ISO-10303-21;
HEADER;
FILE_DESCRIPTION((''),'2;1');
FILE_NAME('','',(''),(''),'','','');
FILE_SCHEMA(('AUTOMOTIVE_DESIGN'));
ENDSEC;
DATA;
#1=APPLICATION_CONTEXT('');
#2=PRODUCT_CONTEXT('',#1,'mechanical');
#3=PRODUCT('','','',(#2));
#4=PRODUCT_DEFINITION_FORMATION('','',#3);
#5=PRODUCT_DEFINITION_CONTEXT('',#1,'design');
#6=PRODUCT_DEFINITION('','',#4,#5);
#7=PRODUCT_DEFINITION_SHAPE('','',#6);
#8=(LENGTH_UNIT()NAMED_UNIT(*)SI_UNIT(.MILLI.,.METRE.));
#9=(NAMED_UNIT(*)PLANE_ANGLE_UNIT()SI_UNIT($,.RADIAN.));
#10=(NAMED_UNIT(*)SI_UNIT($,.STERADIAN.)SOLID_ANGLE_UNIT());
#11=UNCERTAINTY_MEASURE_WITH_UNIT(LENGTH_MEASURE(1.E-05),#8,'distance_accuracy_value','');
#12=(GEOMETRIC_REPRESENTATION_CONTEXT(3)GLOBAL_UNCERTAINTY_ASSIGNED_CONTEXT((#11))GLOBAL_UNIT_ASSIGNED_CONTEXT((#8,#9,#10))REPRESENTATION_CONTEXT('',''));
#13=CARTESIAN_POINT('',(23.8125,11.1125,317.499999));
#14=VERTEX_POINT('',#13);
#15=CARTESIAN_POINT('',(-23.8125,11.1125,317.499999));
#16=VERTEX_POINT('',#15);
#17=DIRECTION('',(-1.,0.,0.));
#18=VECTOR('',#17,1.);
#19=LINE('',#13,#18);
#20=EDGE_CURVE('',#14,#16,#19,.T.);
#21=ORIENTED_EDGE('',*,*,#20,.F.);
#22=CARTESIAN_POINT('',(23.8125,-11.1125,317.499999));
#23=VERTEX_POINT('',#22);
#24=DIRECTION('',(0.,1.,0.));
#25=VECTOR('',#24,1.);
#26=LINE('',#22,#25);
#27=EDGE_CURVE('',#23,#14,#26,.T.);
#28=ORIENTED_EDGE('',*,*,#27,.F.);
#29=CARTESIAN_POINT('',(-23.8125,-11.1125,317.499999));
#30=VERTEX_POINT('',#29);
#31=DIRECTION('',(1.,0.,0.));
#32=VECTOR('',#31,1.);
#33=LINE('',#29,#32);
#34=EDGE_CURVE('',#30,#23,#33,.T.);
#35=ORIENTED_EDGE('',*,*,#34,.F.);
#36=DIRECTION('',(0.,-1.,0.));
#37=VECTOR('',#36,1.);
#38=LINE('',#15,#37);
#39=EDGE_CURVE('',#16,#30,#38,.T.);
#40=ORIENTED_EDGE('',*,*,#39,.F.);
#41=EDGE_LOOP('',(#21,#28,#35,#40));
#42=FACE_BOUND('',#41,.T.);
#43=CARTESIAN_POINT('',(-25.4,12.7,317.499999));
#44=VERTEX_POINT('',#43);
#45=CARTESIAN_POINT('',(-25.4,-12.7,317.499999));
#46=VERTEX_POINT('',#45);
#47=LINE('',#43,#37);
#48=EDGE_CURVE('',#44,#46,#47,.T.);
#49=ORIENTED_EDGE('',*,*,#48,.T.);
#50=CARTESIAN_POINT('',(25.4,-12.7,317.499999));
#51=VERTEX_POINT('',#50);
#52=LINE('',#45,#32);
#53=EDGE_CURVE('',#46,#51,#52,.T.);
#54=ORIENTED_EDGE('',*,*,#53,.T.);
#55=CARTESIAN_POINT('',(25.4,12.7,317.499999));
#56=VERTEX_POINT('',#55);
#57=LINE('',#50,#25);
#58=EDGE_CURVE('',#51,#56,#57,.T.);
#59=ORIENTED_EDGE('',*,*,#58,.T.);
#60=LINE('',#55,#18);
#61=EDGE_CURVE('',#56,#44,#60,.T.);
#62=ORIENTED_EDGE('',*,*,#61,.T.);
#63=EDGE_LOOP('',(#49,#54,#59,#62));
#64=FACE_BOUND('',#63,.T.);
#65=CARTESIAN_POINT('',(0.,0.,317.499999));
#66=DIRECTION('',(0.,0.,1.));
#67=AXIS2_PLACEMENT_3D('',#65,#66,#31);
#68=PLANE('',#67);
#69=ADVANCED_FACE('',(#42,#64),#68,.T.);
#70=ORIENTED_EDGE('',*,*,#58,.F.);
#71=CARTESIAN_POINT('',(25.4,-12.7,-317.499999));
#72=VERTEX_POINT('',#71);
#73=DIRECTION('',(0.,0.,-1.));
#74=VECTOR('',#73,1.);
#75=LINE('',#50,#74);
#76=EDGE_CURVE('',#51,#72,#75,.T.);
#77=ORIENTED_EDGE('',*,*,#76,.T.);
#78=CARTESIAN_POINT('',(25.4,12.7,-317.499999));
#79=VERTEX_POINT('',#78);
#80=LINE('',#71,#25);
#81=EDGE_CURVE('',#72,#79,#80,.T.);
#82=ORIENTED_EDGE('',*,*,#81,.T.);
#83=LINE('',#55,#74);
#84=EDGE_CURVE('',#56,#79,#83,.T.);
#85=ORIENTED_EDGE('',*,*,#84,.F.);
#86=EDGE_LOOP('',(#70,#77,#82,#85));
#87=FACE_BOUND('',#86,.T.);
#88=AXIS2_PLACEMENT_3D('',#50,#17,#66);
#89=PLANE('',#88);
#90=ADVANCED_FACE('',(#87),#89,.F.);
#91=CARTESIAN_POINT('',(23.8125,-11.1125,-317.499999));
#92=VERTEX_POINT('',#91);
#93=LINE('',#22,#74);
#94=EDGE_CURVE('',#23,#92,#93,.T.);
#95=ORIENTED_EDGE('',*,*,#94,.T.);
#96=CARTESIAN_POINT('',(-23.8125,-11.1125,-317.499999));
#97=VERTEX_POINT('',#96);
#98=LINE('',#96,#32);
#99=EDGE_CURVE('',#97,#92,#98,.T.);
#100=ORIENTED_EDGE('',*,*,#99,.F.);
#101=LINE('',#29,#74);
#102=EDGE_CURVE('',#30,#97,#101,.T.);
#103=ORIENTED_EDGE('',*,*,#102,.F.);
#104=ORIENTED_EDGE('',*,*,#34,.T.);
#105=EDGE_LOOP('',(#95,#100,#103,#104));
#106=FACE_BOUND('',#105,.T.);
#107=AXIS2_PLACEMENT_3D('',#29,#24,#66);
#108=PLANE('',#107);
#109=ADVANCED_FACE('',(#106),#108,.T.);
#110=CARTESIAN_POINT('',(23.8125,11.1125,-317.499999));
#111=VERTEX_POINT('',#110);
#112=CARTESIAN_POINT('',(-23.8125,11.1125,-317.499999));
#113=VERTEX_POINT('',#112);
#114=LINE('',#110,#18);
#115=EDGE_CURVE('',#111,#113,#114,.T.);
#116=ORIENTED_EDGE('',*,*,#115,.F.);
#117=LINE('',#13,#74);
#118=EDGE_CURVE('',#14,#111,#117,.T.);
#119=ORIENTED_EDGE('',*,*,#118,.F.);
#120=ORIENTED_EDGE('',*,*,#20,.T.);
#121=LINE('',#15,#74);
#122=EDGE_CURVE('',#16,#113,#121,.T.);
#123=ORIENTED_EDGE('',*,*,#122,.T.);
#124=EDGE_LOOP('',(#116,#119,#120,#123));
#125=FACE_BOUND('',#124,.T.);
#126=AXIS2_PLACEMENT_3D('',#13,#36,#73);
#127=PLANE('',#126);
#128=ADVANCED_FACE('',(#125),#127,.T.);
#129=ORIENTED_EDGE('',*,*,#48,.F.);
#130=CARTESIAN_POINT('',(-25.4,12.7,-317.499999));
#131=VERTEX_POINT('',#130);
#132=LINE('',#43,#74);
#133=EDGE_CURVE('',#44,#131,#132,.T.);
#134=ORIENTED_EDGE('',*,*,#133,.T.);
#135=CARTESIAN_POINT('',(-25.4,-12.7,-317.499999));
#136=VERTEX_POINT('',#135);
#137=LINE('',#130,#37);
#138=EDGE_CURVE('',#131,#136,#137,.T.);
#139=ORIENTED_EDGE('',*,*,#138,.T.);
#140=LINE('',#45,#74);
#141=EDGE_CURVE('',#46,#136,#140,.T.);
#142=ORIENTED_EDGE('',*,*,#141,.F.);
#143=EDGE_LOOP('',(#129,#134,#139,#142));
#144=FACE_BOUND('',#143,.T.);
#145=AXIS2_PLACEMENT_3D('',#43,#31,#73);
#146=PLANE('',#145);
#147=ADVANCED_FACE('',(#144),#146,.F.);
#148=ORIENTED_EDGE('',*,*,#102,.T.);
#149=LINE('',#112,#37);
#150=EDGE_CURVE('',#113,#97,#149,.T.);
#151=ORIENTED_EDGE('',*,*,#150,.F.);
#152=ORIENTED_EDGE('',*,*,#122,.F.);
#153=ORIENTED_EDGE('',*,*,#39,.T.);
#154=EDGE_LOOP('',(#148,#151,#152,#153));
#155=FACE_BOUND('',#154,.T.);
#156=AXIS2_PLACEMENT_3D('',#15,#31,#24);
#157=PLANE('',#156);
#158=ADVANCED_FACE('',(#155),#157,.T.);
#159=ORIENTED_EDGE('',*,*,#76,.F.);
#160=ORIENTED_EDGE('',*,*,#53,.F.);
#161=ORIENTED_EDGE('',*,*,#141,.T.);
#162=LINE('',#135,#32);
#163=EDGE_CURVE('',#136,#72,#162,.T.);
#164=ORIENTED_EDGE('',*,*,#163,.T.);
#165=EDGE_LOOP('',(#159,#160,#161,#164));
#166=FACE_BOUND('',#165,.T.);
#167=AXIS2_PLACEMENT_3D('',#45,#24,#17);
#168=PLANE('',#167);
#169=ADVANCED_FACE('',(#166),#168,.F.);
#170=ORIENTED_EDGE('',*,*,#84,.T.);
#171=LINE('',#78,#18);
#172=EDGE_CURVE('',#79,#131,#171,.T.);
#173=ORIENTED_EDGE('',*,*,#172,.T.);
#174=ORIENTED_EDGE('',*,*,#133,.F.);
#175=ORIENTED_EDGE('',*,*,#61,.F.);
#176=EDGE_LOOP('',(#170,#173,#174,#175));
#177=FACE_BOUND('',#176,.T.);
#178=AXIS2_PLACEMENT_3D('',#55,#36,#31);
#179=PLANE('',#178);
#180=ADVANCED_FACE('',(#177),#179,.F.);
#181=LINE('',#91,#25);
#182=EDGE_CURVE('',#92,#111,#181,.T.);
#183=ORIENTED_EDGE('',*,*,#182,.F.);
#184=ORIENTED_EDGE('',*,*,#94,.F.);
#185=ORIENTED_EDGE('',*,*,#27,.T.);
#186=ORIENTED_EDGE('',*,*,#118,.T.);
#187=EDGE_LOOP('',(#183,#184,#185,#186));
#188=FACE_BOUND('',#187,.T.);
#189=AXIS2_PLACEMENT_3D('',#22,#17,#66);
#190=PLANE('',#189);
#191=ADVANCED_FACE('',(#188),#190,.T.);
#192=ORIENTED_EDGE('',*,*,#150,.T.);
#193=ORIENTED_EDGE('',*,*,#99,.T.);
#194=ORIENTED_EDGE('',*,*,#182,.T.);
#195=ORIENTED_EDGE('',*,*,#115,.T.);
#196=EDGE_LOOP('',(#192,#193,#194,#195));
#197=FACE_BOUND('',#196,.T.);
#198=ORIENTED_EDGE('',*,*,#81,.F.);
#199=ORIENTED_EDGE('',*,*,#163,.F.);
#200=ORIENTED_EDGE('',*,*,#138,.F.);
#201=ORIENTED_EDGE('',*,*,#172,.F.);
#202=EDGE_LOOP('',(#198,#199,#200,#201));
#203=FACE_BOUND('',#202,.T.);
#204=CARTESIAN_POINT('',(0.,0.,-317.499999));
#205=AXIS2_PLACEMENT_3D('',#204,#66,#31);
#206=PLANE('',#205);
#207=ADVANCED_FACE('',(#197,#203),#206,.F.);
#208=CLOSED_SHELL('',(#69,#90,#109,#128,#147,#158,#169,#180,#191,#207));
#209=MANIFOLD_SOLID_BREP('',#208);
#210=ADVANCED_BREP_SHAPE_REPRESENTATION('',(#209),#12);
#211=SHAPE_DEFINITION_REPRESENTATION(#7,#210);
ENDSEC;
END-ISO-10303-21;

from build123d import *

# Parameters (mm, degrees)
BOSS_EXTRUDE1_DEPTH      = 317.499999
BOSS_EXTRUDE1_DEPTH_BACK = 317.499999
SKETCH3_W                = 50.8
SKETCH3_H                = 25.4
SKETCH3_W_2              = 47.625
SKETCH3_H_2              = 22.225


with BuildPart() as part:
    # Sketch3 → Boss-Extrude1 (new, two sides: drawn at the far end of the back side and taken through both)
    with BuildSketch(Plane.XY.offset(-BOSS_EXTRUDE1_DEPTH_BACK)):
        Rectangle(SKETCH3_W, SKETCH3_H)
        Rectangle(SKETCH3_W_2, SKETCH3_H_2, mode=Mode.SUBTRACT)
    extrude(amount=BOSS_EXTRUDE1_DEPTH + BOSS_EXTRUDE1_DEPTH_BACK)


solid = part.part
